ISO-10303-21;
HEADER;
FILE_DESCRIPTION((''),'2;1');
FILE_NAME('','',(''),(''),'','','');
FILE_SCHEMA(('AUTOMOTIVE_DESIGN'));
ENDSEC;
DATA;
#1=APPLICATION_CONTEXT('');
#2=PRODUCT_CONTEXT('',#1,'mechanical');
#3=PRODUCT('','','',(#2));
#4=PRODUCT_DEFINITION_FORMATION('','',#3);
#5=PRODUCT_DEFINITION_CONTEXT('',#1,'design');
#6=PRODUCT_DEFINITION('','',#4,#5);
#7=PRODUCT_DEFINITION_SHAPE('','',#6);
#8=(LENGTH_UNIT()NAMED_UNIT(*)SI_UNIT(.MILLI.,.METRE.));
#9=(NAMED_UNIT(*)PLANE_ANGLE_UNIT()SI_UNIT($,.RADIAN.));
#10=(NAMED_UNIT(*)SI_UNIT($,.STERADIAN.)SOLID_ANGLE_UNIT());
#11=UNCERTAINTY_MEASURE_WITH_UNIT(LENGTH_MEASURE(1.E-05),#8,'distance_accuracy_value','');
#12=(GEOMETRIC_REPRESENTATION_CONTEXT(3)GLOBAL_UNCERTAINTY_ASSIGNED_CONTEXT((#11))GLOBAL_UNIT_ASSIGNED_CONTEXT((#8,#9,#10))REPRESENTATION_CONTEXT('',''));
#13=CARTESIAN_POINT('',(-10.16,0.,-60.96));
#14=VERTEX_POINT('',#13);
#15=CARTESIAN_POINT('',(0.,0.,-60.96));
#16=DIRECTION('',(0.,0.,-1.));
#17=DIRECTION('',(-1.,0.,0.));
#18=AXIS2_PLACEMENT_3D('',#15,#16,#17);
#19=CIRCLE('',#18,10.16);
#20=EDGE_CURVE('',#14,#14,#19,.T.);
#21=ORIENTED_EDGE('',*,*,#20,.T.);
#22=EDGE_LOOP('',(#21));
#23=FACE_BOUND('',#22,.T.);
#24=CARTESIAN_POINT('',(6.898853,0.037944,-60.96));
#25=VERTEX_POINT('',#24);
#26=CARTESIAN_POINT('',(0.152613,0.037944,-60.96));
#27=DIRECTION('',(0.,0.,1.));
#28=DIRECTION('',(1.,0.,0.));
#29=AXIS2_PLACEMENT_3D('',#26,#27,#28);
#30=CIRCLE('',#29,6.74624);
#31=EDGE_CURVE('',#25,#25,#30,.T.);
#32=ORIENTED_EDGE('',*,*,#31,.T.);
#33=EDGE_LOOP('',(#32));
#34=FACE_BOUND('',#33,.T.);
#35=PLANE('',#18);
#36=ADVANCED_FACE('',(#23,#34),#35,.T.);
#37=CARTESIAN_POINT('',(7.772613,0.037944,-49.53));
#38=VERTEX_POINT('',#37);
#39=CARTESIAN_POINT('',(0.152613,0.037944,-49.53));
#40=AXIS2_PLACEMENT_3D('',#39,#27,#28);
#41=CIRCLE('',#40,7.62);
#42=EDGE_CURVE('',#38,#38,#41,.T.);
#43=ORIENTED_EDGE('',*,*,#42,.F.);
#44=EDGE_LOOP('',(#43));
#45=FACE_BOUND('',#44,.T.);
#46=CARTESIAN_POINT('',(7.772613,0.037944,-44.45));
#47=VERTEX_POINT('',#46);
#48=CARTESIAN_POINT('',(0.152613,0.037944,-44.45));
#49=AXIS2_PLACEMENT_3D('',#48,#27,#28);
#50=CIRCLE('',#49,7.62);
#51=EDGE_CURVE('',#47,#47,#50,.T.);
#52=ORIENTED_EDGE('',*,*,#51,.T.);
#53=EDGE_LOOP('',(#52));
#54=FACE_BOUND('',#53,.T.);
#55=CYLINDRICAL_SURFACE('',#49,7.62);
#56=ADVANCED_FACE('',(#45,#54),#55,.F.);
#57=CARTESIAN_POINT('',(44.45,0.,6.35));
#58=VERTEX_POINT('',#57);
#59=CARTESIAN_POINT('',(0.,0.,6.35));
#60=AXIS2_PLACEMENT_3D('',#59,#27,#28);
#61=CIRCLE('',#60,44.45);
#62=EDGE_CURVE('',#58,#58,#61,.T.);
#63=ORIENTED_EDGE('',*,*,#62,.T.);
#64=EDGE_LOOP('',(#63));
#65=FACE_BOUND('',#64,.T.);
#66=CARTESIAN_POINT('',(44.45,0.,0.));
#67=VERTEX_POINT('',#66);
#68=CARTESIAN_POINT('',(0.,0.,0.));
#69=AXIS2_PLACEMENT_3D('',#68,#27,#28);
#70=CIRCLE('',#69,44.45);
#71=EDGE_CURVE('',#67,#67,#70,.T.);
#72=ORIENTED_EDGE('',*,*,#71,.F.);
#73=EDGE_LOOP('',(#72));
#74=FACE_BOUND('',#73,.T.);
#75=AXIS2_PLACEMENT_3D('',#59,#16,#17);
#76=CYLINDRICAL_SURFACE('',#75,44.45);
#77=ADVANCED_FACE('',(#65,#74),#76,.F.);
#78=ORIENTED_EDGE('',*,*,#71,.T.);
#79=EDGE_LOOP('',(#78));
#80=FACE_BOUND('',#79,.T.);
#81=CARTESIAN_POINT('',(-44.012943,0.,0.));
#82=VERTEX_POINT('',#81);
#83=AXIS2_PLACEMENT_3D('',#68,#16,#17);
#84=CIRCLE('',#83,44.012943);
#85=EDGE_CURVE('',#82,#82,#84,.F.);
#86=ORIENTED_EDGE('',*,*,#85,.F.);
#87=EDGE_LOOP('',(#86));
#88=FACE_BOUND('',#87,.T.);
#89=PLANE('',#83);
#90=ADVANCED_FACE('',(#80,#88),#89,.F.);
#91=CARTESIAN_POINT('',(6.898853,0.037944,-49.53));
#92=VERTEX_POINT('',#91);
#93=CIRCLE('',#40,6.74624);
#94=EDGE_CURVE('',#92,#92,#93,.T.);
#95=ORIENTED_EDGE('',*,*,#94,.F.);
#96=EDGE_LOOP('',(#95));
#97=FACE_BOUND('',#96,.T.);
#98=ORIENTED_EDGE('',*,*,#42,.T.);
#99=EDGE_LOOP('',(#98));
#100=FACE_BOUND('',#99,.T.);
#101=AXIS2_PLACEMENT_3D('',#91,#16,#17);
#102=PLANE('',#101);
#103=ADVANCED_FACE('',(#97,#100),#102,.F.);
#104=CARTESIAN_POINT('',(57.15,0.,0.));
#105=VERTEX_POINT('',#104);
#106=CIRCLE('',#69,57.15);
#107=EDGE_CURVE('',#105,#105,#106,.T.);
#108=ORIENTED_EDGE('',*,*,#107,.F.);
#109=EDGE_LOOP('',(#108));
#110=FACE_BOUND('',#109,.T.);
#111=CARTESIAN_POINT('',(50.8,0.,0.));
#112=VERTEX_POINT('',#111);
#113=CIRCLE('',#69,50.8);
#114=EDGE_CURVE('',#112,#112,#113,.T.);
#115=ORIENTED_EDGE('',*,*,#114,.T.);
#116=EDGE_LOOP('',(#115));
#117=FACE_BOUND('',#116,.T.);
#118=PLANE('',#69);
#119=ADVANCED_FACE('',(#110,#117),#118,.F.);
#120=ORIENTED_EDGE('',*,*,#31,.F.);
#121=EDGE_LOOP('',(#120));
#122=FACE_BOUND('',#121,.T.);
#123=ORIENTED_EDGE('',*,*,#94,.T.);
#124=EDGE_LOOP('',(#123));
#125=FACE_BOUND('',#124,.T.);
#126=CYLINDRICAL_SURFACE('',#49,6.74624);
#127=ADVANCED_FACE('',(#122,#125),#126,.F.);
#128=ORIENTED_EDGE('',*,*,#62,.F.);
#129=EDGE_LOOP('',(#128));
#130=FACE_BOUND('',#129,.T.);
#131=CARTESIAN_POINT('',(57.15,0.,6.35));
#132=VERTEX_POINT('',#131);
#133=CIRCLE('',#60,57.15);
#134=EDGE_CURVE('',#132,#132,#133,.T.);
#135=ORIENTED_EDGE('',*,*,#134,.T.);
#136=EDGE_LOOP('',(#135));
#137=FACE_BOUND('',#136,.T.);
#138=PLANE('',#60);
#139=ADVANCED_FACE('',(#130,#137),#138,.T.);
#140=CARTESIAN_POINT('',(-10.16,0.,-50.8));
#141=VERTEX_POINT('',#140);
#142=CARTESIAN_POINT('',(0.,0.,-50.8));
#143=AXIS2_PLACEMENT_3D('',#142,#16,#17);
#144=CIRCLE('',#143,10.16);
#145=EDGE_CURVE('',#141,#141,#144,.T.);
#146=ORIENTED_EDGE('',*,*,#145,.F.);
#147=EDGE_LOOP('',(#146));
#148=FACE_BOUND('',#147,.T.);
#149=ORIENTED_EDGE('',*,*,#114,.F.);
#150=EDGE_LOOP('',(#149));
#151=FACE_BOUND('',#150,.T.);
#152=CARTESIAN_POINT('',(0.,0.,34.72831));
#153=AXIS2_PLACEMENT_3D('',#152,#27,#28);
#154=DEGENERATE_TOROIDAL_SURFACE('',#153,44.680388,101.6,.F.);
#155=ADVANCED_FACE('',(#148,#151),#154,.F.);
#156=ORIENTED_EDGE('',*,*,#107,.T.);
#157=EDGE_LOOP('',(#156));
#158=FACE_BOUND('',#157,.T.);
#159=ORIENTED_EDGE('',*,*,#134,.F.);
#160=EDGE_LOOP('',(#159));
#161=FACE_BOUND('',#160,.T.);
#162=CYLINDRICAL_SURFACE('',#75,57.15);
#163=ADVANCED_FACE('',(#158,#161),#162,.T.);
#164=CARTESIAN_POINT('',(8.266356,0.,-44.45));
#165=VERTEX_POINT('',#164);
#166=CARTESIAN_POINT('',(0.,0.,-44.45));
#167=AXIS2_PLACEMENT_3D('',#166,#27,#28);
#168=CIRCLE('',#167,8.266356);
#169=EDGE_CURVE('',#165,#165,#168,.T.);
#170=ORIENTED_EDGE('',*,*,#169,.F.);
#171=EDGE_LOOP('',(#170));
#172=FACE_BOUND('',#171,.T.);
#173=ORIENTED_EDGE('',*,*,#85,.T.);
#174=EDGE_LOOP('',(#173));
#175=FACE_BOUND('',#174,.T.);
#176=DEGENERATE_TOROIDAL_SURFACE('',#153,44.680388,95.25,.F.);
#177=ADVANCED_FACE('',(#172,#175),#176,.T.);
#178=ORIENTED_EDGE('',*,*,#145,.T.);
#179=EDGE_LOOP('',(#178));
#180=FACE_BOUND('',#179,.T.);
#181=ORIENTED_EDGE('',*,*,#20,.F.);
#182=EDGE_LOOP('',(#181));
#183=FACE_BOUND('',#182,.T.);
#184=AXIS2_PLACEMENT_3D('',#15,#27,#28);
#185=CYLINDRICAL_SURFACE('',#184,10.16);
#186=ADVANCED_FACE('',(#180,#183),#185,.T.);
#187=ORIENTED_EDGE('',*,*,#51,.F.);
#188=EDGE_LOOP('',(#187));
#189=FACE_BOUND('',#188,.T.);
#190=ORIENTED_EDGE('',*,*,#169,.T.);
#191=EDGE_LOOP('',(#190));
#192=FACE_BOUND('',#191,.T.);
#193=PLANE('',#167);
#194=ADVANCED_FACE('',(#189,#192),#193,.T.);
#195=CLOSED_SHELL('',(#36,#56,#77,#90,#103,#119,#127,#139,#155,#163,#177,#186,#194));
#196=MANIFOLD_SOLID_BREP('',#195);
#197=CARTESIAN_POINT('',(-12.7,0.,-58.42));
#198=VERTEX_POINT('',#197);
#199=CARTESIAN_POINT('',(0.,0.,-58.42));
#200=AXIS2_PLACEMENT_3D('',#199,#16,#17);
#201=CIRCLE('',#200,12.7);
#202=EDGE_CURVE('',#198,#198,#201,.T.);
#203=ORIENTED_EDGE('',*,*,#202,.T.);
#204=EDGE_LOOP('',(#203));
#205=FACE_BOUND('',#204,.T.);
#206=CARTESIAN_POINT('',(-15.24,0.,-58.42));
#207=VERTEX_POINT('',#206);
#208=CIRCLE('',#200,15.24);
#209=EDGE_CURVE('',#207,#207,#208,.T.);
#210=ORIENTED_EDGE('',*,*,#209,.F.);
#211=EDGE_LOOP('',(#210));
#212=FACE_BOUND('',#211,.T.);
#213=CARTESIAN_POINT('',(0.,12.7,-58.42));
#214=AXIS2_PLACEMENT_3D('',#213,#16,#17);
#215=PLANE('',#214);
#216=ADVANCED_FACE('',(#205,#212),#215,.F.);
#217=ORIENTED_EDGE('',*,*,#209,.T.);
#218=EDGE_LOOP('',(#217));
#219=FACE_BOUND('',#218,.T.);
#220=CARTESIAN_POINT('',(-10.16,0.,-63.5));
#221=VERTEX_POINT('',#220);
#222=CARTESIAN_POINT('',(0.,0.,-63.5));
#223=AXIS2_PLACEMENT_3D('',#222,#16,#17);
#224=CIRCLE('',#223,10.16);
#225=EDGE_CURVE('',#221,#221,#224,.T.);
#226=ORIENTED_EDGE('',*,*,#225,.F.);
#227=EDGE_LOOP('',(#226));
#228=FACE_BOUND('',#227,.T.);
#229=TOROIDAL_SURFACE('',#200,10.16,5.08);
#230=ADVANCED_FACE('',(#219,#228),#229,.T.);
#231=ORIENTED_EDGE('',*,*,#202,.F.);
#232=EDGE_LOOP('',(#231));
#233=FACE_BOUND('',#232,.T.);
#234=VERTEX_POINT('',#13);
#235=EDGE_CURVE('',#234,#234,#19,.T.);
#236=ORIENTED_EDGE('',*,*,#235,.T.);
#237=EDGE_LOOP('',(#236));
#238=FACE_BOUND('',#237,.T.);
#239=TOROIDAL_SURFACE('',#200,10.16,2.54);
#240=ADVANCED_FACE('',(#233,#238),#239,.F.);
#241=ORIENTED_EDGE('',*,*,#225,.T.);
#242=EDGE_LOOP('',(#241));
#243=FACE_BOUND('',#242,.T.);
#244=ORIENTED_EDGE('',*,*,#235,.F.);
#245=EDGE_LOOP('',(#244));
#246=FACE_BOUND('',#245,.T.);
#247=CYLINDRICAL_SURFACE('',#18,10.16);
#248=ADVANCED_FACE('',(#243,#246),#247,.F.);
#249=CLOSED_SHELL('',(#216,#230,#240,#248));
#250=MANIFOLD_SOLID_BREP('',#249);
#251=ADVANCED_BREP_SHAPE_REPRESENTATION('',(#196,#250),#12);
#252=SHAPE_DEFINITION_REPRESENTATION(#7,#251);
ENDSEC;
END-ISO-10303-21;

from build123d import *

# Parameters (mm, degrees)
LENS_SHELL_T          = -6.35
SKETCH2_R             = 10.16
LENS_NECK_DEPTH       = 10.16
BULB_HOLE_D           = 13.49248
BULB_HOLE_CBORE_D     = 15.24
BULB_HOLE_CBORE_DEPTH = 5.08
SKETCH5_R             = 57.15
SKETCH5_R_2           = 44.45
LENS_COVER_DEPTH      = 6.35


with BuildPart() as part:
    # Sketch1 → Base Revolve (revolve)
    with BuildSketch(Plane(origin=(0, 0, 0), x_dir=(0, 0, -1), z_dir=(1, 0, 0)), mode=Mode.PRIVATE) as base_revolve_sk:
        with BuildLine():
            Line((0, 0), (0, 50.8))
            ThreePointArc((0, 50.8), (28.740706548, 34.655883185), (50.8, 10.16))
            Line((50.8, 10.16), (50.8, 0))
            Line((50.8, 0), (0, 0))
        make_face()
    revolve(base_revolve_sk.sketch.rotate(Axis((0, 0, 22.428775877), (0, 0, -1)), 90), axis=Axis((0, 0, 22.428775877), (0, 0, -1)))

    # Lens Shell
    lens_shell_openings = [part.faces().sort_by_distance(p)[0] for p in [
        (0, 0, 0),
    ]]
    offset(amount=LENS_SHELL_T, openings=lens_shell_openings, kind=Kind.INTERSECTION)

    # Sketch2 → Lens Neck (add)
    with BuildSketch(Plane(origin=(0, 0, -50.8), x_dir=(-1, 0, 0), z_dir=(0, 0, -1))):
        Circle(SKETCH2_R)
    extrude(amount=LENS_NECK_DEPTH)

    # Bulb Hole (through all)
    with Locations(Plane(origin=(0.152613178, 0.03794408, -44.45), x_dir=(1, 0, 0), z_dir=(0, 0, 1))):
        with Locations((0, 0)):
            CounterBoreHole(BULB_HOLE_D / 2, BULB_HOLE_CBORE_D / 2, BULB_HOLE_CBORE_DEPTH)

    # Sketch5 → Lens Cover (add)
    with BuildSketch(Plane.XY):
        Circle(SKETCH5_R)
        Circle(SKETCH5_R_2, mode=Mode.SUBTRACT)
    extrude(amount=LENS_COVER_DEPTH)


with BuildPart() as body_2:
    # Sketch4 → Revolve-Thin1 (revolve)
    with BuildSketch(Plane(origin=(0, 0, 0), x_dir=(0, 0, -1), z_dir=(1, 0, 0)), mode=Mode.PRIVATE) as revolve_thin1_sk:
        with BuildLine():
            ThreePointArc((60.96, 10.16), (60.216051224, 11.956051224), (58.42, 12.7))
            Line((58.42, 12.7), (58.42, 15.24))
            ThreePointArc((58.42, 15.24), (62.012102448, 13.752102448), (63.5, 10.16))
            Line((63.5, 10.16), (60.96, 10.16))
        make_face()
    revolve(revolve_thin1_sk.sketch.rotate(Axis((0, 0, -60.96), (0, 0, 1)), 90), axis=Axis((0, 0, -60.96), (0, 0, 1)))


solid = Compound([part.part, body_2.part])
